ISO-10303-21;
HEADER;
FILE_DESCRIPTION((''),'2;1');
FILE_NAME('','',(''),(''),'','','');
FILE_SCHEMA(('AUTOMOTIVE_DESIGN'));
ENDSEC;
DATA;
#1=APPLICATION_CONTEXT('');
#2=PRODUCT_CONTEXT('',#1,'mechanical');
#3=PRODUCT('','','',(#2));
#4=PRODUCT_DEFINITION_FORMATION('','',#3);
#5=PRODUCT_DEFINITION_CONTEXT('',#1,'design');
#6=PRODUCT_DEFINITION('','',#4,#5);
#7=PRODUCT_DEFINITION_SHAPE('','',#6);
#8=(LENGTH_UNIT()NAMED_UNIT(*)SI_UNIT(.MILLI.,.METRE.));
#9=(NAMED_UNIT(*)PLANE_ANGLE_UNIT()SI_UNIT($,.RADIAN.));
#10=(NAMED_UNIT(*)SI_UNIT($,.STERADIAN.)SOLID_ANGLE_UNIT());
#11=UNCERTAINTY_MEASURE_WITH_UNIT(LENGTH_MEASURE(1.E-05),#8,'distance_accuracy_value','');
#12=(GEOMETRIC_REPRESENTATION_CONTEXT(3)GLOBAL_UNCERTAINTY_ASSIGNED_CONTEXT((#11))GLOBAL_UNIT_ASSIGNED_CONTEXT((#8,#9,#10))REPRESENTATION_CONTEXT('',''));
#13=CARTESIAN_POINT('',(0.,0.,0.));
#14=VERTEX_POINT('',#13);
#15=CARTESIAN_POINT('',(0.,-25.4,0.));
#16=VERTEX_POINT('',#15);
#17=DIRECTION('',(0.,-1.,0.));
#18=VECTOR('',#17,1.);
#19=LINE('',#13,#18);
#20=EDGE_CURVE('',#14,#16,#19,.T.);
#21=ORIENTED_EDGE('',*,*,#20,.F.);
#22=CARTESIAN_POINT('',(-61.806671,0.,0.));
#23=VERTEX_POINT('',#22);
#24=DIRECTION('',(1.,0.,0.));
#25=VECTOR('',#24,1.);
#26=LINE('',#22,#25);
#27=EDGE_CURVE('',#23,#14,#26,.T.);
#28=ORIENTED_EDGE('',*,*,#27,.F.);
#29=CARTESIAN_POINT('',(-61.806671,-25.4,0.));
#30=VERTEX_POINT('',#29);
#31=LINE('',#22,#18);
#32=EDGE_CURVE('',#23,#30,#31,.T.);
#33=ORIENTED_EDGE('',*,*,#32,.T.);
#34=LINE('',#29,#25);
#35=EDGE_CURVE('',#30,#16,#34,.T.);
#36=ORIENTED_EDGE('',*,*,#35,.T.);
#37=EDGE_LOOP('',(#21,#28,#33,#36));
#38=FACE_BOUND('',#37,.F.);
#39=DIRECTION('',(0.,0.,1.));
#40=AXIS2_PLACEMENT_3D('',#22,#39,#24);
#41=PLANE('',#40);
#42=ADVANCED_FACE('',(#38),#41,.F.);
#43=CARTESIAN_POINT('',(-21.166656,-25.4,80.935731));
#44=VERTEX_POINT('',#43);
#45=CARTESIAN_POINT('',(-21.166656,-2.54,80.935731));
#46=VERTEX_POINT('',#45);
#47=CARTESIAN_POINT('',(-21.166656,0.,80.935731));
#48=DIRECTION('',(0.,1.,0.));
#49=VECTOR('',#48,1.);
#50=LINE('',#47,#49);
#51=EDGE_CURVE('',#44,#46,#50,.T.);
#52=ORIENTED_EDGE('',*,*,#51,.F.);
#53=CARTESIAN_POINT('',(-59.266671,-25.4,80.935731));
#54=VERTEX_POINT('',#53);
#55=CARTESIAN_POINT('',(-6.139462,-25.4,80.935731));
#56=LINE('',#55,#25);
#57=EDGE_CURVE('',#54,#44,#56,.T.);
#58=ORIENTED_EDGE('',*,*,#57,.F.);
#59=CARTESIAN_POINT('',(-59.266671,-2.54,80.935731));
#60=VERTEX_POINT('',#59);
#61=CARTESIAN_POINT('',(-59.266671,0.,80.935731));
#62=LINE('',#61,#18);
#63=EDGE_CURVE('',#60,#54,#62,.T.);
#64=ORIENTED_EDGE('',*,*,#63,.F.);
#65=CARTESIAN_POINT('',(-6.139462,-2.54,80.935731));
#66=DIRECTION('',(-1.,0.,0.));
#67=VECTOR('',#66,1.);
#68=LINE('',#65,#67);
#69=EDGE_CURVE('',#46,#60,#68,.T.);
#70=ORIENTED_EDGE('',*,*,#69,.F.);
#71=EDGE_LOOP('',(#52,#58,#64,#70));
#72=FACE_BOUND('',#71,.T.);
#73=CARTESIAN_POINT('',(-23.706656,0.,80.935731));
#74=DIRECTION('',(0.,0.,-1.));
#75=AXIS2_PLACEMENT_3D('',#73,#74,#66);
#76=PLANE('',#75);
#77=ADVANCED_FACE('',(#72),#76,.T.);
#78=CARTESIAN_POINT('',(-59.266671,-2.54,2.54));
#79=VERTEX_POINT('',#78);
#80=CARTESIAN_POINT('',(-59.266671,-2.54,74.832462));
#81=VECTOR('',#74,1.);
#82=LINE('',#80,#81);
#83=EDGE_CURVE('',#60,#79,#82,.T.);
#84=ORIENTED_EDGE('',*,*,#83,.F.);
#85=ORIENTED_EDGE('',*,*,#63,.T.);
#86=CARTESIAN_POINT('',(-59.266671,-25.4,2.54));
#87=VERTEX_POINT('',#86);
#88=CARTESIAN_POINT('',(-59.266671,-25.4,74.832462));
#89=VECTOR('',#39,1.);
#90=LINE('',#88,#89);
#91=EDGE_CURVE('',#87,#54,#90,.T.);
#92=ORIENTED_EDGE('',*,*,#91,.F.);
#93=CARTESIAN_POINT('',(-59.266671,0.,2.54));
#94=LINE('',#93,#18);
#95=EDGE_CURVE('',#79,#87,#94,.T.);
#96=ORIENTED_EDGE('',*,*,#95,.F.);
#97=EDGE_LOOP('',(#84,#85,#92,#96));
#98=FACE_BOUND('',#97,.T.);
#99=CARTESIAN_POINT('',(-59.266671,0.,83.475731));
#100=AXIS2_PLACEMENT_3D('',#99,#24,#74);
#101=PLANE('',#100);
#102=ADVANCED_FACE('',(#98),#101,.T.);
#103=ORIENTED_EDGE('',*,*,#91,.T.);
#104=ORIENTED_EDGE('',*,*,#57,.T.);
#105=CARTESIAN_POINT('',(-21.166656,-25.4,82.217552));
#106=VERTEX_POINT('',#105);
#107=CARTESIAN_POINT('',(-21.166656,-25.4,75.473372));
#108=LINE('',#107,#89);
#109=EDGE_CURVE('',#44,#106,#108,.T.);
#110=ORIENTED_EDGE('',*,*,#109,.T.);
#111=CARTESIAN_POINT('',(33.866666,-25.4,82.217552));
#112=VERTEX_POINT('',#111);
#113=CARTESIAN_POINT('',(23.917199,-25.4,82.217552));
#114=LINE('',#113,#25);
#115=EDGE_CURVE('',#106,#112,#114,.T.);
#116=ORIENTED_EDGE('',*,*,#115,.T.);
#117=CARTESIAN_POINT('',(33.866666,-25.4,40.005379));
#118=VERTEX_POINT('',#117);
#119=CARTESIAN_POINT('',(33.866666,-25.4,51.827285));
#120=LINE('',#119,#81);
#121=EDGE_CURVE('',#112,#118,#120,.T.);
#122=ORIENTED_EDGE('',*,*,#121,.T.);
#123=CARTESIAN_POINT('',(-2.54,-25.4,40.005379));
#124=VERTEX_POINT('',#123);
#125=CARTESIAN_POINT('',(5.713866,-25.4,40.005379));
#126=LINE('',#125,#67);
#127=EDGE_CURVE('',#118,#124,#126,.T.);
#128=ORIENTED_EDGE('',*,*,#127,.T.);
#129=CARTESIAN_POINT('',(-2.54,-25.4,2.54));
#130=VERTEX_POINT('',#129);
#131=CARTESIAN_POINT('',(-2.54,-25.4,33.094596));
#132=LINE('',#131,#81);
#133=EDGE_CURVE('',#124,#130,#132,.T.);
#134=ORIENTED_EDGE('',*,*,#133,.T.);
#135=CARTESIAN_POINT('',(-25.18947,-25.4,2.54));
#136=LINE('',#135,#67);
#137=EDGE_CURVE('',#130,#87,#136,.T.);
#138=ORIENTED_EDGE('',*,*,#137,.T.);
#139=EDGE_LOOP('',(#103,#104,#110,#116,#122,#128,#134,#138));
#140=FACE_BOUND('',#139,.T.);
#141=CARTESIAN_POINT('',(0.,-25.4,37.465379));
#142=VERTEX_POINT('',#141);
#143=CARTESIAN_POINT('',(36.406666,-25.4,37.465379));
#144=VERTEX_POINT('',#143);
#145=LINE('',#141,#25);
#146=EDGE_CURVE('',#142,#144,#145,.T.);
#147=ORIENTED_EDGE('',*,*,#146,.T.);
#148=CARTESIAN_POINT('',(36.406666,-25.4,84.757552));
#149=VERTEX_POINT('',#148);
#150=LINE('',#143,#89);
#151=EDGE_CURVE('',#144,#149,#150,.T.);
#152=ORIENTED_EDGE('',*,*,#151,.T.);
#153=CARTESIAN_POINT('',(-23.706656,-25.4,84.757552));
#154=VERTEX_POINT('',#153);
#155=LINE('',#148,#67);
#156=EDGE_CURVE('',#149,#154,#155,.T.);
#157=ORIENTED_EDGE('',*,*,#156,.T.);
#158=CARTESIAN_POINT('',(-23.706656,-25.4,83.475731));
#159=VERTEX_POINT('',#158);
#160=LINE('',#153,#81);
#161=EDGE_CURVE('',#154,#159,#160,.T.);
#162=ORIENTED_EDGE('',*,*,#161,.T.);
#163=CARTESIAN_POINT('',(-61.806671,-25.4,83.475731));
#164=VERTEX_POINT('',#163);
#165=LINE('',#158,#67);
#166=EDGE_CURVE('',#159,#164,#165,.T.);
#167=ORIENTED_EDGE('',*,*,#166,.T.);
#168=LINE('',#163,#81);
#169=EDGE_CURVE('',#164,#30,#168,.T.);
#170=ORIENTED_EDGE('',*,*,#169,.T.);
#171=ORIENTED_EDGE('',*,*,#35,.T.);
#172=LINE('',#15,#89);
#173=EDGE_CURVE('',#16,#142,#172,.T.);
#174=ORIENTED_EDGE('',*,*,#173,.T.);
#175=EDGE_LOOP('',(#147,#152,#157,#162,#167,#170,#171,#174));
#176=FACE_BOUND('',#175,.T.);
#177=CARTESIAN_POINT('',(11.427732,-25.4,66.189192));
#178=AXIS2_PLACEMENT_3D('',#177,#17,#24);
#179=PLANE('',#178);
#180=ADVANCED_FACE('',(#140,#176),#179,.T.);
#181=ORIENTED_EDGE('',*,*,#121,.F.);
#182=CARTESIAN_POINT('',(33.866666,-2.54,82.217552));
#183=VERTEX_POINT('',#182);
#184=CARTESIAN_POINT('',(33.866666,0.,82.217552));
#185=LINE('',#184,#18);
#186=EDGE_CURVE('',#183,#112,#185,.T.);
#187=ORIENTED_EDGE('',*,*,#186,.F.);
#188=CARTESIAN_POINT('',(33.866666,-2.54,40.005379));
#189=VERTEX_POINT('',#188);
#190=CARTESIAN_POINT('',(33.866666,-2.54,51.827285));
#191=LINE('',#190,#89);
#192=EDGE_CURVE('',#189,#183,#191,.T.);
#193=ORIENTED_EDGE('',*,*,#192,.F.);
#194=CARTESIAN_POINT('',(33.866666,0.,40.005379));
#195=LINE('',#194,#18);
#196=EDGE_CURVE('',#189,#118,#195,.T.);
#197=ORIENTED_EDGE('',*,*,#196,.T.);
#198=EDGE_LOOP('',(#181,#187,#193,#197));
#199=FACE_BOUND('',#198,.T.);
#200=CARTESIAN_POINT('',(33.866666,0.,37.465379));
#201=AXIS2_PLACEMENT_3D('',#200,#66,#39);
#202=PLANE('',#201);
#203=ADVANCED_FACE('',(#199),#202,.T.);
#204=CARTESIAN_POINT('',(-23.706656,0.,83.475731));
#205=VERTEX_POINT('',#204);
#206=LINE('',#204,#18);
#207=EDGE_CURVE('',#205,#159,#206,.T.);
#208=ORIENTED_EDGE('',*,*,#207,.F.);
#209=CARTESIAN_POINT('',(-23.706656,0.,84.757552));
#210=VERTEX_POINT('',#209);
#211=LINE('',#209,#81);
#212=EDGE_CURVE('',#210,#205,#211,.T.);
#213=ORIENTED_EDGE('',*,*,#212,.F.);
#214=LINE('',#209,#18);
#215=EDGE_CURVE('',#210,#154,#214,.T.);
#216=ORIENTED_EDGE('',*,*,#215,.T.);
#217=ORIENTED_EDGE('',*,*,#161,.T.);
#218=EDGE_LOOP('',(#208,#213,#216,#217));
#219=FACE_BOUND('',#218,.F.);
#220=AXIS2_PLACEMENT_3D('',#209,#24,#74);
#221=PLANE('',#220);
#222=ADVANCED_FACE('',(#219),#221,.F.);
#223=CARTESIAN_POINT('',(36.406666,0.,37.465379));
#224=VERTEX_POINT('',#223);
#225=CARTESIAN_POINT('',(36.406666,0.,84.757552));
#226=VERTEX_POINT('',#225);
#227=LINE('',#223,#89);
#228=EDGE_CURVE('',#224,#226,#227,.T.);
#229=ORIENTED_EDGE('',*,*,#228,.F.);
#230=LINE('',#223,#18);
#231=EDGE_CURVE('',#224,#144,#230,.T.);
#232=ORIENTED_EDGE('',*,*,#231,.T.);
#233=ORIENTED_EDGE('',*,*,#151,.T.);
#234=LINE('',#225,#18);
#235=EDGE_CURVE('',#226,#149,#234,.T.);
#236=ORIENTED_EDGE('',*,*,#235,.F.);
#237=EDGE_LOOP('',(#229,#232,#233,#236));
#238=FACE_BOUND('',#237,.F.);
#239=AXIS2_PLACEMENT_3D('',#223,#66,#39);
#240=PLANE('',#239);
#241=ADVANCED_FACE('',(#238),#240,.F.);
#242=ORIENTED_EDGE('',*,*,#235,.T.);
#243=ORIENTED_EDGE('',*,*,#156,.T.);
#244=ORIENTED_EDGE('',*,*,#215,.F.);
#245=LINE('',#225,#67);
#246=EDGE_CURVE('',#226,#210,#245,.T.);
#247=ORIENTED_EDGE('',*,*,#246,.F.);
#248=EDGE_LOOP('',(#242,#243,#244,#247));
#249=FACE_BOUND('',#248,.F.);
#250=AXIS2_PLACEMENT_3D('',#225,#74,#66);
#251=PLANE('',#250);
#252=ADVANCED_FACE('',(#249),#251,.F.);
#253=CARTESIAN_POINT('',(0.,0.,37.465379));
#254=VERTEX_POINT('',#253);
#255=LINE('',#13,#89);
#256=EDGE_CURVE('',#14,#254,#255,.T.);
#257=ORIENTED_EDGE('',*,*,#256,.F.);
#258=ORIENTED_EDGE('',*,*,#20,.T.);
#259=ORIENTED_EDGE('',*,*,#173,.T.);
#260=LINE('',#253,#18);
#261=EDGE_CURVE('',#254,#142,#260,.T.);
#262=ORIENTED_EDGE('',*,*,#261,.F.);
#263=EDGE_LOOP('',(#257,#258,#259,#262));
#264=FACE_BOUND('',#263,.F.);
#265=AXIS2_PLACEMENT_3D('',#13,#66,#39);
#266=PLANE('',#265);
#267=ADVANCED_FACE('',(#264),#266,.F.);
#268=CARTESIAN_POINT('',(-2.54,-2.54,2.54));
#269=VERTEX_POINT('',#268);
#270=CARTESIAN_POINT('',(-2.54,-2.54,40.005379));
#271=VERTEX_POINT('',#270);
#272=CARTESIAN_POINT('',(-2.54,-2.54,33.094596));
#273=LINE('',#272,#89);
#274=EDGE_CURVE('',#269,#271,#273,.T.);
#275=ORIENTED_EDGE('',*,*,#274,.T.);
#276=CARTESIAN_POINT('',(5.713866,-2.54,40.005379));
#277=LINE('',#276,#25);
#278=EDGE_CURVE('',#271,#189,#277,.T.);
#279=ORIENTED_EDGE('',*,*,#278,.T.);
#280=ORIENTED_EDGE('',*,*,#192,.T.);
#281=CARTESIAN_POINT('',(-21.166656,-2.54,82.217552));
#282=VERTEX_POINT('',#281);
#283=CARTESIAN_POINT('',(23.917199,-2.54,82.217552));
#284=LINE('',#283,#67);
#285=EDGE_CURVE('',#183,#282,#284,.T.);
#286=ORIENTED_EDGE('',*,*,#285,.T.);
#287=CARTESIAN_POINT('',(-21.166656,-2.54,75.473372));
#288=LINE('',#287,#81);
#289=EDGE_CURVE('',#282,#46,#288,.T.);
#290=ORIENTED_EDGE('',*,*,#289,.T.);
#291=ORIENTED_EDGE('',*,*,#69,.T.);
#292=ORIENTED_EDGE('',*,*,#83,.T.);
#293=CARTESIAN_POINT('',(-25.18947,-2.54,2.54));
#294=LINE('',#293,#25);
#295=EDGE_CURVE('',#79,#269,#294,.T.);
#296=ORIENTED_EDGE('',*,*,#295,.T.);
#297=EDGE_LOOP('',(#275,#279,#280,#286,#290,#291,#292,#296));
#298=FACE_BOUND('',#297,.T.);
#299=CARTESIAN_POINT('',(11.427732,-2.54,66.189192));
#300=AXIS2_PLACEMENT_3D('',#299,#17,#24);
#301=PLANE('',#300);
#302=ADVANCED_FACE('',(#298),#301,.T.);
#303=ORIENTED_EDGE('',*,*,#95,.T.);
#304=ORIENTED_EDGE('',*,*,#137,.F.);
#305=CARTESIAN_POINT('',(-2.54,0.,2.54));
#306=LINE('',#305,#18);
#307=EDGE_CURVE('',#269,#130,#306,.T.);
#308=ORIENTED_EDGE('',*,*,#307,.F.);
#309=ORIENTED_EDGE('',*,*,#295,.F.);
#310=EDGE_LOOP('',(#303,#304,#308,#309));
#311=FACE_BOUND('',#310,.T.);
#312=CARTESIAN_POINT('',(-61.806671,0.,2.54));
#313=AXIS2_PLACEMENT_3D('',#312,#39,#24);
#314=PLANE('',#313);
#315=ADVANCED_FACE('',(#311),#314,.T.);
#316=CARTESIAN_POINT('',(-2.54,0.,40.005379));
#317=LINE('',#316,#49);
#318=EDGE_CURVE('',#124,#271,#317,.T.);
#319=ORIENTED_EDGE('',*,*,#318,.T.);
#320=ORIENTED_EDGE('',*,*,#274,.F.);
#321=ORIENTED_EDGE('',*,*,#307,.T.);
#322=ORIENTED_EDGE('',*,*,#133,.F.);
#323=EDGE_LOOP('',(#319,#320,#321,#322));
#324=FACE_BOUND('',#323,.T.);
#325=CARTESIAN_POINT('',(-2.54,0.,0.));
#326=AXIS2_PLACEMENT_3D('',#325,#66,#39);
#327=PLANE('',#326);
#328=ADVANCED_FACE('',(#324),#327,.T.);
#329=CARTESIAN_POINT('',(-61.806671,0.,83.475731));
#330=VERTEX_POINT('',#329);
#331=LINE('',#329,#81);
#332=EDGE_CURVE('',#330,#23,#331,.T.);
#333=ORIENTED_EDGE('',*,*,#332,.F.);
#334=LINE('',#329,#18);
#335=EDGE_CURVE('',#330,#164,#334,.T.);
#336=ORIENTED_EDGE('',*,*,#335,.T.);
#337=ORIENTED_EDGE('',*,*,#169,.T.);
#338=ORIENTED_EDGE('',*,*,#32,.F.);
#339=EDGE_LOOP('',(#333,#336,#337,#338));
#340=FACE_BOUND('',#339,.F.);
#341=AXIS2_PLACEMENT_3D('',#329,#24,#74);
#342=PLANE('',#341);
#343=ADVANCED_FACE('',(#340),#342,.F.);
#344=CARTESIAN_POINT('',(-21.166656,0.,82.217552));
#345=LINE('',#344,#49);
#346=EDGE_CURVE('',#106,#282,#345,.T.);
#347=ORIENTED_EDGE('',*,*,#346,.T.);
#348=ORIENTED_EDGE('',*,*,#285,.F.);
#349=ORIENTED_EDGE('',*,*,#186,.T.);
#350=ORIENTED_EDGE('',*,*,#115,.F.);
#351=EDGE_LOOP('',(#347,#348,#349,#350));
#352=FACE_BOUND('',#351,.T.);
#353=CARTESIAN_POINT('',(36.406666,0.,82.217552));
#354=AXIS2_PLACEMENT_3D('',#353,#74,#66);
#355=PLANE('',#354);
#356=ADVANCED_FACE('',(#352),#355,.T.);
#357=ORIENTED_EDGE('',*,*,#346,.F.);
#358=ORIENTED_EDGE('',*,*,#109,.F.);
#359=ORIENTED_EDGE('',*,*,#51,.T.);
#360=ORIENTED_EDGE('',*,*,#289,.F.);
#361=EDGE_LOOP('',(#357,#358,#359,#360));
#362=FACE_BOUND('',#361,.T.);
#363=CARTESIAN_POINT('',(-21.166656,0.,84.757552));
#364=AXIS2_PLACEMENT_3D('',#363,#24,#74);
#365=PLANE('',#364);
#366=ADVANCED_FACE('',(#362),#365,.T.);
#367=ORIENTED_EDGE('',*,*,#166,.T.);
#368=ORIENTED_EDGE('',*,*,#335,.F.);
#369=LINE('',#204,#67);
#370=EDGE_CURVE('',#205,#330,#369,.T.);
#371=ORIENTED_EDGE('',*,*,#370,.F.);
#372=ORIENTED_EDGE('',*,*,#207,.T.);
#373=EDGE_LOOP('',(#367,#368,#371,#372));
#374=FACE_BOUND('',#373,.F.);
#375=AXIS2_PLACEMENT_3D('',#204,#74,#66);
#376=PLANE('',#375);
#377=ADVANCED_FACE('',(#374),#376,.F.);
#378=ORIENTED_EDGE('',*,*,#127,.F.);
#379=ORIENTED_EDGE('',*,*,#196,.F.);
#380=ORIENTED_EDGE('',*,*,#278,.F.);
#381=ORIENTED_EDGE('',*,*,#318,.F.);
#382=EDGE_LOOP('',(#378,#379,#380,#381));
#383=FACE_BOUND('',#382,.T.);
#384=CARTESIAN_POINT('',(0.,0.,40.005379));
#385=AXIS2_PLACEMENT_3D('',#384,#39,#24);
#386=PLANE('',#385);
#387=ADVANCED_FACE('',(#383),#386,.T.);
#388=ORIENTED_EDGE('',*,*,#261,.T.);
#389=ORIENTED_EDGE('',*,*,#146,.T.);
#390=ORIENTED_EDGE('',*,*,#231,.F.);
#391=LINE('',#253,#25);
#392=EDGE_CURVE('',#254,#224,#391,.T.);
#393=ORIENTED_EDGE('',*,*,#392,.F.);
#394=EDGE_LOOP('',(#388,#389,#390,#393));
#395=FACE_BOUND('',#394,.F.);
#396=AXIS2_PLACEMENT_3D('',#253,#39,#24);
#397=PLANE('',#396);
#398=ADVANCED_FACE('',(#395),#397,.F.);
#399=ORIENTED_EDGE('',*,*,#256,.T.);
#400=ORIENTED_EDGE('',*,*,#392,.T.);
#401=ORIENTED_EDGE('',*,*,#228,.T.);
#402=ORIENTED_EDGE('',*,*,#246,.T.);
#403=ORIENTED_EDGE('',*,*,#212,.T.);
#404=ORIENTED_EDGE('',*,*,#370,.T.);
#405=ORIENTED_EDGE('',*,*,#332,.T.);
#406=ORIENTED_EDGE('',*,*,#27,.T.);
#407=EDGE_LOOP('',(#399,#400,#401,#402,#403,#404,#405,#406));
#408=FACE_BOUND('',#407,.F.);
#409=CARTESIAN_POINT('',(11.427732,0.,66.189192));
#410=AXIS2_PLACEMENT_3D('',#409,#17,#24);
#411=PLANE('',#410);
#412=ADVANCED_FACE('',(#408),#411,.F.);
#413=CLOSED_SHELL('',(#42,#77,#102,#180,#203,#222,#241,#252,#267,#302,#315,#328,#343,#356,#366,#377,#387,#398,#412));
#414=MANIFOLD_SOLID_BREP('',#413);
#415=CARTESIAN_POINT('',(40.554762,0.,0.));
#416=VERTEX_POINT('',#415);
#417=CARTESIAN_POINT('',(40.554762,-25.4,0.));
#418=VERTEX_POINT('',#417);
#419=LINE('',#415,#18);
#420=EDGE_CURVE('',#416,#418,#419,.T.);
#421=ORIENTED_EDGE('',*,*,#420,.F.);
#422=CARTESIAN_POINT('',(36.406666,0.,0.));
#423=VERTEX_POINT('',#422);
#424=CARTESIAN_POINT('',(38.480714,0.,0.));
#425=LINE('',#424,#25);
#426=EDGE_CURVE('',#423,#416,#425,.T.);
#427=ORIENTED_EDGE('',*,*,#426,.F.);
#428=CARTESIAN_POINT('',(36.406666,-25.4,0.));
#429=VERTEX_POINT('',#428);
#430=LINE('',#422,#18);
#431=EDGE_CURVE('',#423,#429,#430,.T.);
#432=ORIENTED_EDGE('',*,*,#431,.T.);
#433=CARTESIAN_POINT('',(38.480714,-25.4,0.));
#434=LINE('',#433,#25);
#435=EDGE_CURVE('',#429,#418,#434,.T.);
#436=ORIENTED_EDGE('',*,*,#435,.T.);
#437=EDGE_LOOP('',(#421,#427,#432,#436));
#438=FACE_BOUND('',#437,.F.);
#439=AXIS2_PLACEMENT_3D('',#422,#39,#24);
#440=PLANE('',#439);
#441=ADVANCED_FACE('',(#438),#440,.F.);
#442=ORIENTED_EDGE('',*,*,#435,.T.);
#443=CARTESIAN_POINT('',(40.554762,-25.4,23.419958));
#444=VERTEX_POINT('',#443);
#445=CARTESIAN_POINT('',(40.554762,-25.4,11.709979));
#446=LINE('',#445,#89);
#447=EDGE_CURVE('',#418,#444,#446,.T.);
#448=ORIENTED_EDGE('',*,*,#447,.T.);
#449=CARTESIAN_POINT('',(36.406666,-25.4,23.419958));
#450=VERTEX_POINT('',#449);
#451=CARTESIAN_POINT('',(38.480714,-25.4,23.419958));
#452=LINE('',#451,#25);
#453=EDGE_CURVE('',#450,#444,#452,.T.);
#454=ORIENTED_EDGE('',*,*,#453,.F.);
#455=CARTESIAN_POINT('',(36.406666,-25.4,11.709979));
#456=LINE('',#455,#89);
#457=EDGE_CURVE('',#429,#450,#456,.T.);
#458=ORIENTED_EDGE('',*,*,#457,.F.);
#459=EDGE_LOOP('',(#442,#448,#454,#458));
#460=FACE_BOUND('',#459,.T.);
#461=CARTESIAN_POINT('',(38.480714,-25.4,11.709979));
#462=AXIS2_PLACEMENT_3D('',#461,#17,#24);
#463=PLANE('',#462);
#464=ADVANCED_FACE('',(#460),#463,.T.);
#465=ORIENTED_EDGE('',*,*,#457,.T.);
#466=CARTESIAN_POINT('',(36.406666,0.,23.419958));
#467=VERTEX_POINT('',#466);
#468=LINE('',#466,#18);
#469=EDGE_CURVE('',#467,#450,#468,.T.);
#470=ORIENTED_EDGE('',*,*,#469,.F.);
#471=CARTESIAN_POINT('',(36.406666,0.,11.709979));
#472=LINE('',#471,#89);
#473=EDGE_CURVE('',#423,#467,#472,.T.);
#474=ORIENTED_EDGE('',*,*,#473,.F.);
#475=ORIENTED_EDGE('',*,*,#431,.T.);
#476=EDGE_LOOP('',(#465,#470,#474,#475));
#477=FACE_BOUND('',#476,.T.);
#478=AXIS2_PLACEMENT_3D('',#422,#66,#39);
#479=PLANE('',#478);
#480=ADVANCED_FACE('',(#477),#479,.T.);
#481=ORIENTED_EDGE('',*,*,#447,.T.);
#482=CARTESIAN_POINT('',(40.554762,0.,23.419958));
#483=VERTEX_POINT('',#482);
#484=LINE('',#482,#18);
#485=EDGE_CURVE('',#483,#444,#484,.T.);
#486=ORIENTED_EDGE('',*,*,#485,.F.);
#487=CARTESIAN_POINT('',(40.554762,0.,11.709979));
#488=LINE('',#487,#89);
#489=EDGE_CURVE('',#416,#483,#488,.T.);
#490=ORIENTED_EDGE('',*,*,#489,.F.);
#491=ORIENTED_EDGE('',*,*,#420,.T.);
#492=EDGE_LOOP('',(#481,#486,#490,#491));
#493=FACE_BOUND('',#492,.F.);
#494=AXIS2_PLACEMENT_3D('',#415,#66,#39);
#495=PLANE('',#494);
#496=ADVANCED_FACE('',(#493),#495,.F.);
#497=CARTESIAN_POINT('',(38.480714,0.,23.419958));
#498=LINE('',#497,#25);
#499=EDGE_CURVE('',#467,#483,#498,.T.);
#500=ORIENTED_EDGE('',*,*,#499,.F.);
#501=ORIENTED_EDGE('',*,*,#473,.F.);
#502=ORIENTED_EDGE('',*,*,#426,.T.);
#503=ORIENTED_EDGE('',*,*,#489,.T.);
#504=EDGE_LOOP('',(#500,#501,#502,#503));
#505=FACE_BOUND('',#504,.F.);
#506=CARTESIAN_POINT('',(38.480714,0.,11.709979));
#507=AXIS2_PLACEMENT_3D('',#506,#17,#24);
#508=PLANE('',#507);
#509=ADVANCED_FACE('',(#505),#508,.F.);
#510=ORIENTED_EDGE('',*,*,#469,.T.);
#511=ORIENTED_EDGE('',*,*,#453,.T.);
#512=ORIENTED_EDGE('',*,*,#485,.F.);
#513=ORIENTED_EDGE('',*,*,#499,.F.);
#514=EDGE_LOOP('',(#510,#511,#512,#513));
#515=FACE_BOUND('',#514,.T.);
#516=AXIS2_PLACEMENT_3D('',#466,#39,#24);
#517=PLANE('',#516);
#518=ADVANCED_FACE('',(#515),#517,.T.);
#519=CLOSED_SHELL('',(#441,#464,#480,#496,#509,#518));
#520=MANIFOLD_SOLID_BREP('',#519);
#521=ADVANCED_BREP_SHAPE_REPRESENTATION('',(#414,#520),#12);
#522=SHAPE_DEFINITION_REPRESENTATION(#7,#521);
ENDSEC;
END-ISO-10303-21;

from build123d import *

# Parameters (mm, degrees)
F0_W     = 23.7066559494
F0_H     = 46.0103526711
F1_DEPTH = 25.4
F0_W_2   = 4.1480958462
F0_H_2   = 23.419957608
F2_T     = -2.54


with BuildPart() as f1:
    # F0 (on Front) → F1 (new body)
    with BuildSketch(Plane.XZ):
        Polygon((-23.7066559494, 84.7575515509), (-23.7066559494, 83.4757313132), (0, 83.4757313132), (0, 37.4653786421), (36.4066660404, 37.4653786421), (36.4066660404, 84.7575515509), align=None)
        Polygon((-23.7066559494, 83.4757313132), (-61.8066713214, 83.4757313132), (-61.8066713214, 0), (0, 0), (0, 37.4653786421), (-23.7066559494, 37.4653786421), align=None)
        with Locations((-11.8533279747, 60.4705549777)):
            Rectangle(F0_W, F0_H)
    extrude(amount=F1_DEPTH)

    # F2
    f2_openings = [f1.faces().sort_by_distance(p)[0] for p in [
        (-18.586419, -25.4, 46.750427),
    ]]
    offset(amount=F2_T, openings=f2_openings, kind=Kind.INTERSECTION)


with BuildPart() as f1b:
    # F0 (on Front) → F1, piece 2 (new body)
    with BuildSketch(Plane.XZ):
        with Locations((38.4807139635, 11.709978804)):
            Rectangle(F0_W_2, F0_H_2)
    extrude(amount=F1_DEPTH)


solid = Compound([f1.part, f1b.part])
